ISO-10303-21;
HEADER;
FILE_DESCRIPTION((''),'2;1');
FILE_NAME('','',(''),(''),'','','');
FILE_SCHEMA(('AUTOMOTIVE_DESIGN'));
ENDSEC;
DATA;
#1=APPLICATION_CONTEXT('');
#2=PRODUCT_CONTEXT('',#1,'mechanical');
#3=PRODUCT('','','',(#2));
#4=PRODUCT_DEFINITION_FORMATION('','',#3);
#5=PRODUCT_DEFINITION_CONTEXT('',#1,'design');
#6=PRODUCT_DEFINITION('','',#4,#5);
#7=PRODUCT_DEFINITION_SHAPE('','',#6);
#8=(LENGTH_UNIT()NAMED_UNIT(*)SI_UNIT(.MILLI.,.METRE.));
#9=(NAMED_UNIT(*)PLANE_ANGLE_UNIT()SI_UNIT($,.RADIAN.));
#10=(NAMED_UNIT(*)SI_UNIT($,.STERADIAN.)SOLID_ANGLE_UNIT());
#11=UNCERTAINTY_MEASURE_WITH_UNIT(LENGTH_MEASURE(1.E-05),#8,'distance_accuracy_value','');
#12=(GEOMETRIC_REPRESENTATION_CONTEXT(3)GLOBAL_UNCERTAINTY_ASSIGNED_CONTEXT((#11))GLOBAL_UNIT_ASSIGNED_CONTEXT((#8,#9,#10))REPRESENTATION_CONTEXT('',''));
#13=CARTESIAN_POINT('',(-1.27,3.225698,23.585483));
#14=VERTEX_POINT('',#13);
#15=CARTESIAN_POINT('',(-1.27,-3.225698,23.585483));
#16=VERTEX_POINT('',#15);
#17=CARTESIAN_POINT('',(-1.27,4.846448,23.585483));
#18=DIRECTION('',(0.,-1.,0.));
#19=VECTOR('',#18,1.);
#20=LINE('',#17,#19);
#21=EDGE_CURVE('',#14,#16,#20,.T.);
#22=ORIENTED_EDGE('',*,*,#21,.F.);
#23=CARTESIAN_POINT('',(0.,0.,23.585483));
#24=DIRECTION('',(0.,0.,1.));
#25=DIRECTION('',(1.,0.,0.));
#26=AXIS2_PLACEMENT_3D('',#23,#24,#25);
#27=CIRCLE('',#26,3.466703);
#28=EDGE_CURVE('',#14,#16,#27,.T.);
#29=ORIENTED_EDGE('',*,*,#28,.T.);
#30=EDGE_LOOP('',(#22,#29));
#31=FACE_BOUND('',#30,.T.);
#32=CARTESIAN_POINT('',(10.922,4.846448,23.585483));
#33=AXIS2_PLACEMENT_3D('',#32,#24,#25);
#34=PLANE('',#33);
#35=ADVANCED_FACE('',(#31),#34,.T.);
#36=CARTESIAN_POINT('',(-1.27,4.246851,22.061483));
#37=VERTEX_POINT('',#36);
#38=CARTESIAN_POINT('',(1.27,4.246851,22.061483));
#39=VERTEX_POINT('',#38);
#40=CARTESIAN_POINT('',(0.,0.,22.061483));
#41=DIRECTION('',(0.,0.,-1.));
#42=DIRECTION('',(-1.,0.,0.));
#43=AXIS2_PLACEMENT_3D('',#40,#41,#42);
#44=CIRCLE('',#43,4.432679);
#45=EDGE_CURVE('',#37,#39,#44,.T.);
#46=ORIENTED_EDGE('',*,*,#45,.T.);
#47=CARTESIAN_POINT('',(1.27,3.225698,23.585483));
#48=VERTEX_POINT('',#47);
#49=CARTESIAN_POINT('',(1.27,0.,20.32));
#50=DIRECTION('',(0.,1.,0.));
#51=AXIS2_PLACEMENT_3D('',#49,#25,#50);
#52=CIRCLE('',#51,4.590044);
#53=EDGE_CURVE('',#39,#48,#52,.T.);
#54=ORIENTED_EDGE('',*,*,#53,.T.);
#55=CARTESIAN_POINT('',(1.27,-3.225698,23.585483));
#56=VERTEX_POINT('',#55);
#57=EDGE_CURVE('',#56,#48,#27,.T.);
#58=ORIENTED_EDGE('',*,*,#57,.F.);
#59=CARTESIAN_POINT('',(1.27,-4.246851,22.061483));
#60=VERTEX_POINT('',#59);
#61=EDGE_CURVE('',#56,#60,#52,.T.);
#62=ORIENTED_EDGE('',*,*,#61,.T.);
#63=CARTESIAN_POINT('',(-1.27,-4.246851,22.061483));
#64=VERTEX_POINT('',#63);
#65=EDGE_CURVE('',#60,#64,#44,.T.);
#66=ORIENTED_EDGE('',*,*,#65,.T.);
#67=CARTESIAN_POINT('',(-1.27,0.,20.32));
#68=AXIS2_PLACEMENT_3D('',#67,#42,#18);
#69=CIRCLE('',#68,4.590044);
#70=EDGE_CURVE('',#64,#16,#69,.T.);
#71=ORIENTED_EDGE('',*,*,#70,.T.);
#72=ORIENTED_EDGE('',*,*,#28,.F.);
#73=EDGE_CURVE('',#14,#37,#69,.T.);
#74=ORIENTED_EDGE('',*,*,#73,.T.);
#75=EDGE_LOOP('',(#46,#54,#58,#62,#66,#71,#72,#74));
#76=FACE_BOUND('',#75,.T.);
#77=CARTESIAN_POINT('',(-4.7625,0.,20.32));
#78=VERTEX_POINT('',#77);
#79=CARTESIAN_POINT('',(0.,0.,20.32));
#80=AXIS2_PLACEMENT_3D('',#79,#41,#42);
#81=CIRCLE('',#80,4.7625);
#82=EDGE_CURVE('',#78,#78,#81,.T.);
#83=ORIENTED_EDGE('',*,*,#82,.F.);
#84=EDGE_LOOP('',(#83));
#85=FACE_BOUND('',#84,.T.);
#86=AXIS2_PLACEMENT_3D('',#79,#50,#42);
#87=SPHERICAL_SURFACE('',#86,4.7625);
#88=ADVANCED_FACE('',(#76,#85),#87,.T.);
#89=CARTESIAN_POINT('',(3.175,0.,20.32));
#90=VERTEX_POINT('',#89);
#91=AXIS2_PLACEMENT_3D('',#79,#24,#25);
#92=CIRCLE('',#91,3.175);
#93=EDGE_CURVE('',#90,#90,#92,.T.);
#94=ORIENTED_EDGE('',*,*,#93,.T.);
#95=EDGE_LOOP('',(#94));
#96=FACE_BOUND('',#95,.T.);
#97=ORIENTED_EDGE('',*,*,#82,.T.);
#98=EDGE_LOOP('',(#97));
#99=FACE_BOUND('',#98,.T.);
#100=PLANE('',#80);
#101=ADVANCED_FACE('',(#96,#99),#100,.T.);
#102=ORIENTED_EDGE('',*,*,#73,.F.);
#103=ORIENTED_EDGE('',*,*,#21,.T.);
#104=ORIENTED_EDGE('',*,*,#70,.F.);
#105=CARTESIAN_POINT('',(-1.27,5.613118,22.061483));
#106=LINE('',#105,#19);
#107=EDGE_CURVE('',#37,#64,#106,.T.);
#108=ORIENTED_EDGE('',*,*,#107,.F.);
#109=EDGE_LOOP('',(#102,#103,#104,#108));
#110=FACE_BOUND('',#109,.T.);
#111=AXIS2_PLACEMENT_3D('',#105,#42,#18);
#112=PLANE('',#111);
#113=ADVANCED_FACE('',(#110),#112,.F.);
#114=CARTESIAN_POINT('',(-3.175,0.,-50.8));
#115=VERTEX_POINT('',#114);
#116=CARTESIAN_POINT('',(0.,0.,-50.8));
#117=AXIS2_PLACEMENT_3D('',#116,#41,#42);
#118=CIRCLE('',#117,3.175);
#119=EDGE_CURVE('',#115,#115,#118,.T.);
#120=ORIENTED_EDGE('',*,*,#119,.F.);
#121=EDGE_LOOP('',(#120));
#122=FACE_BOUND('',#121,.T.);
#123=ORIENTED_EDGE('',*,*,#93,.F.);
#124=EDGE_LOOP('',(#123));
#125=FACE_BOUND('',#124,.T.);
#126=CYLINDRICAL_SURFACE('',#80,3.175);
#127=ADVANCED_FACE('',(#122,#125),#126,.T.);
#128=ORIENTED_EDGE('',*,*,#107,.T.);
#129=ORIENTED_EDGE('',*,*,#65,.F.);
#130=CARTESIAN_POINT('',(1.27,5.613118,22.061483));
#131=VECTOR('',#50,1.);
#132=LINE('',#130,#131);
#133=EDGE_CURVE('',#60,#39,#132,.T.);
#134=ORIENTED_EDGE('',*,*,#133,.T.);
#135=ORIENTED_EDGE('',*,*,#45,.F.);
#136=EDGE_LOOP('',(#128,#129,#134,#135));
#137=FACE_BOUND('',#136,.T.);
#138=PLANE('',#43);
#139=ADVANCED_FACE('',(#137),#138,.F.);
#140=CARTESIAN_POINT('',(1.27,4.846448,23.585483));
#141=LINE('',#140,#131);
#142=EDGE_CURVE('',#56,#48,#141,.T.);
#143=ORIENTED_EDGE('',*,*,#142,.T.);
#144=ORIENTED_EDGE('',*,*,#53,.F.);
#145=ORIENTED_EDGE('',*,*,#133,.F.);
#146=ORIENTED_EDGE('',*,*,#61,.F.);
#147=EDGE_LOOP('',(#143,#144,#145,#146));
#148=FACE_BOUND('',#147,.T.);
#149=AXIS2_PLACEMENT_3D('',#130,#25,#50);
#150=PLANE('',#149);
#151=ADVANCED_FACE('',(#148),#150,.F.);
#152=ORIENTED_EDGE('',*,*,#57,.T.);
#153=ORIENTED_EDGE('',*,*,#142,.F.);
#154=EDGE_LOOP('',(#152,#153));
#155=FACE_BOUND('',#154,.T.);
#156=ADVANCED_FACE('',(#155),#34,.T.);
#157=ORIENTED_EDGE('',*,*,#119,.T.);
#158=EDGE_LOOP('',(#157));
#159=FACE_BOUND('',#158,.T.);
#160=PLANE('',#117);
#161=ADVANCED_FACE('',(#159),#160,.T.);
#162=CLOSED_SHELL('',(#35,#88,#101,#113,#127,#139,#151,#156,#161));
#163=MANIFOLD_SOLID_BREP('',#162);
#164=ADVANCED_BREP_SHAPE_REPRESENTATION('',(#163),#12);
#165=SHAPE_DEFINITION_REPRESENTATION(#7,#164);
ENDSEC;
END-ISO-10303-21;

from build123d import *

# Parameters (mm, degrees)
SKETCH1_R               = 3.175
BOSS_EXTRUDE1_DEPTH     = 20.32
REVOLVE1_ANGLE          = 180
CUT_EXTRUDE1_DEPTH      = 8.382
CUT_EXTRUDE1_DEPTH_BACK = 9.398
SKETCH3_W               = 1.756055425
SKETCH3_H               = 11.721669961
SKETCH4_W               = 2.54
SKETCH4_H               = 12.81199514
CUT_EXTRUDE2_DEPTH      = 1.524
BOSS_EXTRUDE2_START     = 50.8
SKETCH5_R               = 3.175
BOSS_EXTRUDE2_DEPTH     = 50.8


with BuildPart() as part:
    # Sketch1 → Boss-Extrude1 (new body)
    with BuildSketch(Plane.XY):
        Circle(SKETCH1_R)
    extrude(amount=BOSS_EXTRUDE1_DEPTH)

    # Sketch2 → Revolve1 (revolve)
    with BuildSketch(Plane.XY.offset(20.32)):
        with BuildLine():
            Line((0, -4.7625), (0, 4.7625))
            ThreePointArc((0, 4.7625), (4.7625, 0), (0, -4.7625))
        make_face()
    revolve(axis=Axis((0, -4.7625, 20.32), (0, -1, 0)), revolution_arc=REVOLVE1_ANGLE)

    # Sketch3 → Cut-Extrude1 (cut, two sides: drawn at the far end of the back side and taken through both)
    with BuildSketch(Plane(origin=(2.54, 0, 0), x_dir=(0, 0, -1), z_dir=(1, 0, 0)).offset(-CUT_EXTRUDE1_DEPTH_BACK)):
        with Locations((-24.463510257, -1.014387128)):
            Rectangle(SKETCH3_W, SKETCH3_H)
    extrude(amount=CUT_EXTRUDE1_DEPTH + CUT_EXTRUDE1_DEPTH_BACK, mode=Mode.SUBTRACT)

    # Sketch4 → Cut-Extrude2 (cut)
    with BuildSketch(Plane.XY.offset(23.585482544)):
        with Locations((0, -0.792879604)):
            Rectangle(SKETCH4_W, SKETCH4_H)
    extrude(amount=-CUT_EXTRUDE2_DEPTH, mode=Mode.SUBTRACT)

    # Sketch5 → Boss-Extrude2 (add)
    with BuildSketch(Plane(origin=(0, 0, 0), x_dir=(-1, 0, 0), z_dir=(0, 0, -1)).offset(BOSS_EXTRUDE2_START)):
        Circle(SKETCH5_R)
    extrude(amount=-BOSS_EXTRUDE2_DEPTH)


solid = part.part
